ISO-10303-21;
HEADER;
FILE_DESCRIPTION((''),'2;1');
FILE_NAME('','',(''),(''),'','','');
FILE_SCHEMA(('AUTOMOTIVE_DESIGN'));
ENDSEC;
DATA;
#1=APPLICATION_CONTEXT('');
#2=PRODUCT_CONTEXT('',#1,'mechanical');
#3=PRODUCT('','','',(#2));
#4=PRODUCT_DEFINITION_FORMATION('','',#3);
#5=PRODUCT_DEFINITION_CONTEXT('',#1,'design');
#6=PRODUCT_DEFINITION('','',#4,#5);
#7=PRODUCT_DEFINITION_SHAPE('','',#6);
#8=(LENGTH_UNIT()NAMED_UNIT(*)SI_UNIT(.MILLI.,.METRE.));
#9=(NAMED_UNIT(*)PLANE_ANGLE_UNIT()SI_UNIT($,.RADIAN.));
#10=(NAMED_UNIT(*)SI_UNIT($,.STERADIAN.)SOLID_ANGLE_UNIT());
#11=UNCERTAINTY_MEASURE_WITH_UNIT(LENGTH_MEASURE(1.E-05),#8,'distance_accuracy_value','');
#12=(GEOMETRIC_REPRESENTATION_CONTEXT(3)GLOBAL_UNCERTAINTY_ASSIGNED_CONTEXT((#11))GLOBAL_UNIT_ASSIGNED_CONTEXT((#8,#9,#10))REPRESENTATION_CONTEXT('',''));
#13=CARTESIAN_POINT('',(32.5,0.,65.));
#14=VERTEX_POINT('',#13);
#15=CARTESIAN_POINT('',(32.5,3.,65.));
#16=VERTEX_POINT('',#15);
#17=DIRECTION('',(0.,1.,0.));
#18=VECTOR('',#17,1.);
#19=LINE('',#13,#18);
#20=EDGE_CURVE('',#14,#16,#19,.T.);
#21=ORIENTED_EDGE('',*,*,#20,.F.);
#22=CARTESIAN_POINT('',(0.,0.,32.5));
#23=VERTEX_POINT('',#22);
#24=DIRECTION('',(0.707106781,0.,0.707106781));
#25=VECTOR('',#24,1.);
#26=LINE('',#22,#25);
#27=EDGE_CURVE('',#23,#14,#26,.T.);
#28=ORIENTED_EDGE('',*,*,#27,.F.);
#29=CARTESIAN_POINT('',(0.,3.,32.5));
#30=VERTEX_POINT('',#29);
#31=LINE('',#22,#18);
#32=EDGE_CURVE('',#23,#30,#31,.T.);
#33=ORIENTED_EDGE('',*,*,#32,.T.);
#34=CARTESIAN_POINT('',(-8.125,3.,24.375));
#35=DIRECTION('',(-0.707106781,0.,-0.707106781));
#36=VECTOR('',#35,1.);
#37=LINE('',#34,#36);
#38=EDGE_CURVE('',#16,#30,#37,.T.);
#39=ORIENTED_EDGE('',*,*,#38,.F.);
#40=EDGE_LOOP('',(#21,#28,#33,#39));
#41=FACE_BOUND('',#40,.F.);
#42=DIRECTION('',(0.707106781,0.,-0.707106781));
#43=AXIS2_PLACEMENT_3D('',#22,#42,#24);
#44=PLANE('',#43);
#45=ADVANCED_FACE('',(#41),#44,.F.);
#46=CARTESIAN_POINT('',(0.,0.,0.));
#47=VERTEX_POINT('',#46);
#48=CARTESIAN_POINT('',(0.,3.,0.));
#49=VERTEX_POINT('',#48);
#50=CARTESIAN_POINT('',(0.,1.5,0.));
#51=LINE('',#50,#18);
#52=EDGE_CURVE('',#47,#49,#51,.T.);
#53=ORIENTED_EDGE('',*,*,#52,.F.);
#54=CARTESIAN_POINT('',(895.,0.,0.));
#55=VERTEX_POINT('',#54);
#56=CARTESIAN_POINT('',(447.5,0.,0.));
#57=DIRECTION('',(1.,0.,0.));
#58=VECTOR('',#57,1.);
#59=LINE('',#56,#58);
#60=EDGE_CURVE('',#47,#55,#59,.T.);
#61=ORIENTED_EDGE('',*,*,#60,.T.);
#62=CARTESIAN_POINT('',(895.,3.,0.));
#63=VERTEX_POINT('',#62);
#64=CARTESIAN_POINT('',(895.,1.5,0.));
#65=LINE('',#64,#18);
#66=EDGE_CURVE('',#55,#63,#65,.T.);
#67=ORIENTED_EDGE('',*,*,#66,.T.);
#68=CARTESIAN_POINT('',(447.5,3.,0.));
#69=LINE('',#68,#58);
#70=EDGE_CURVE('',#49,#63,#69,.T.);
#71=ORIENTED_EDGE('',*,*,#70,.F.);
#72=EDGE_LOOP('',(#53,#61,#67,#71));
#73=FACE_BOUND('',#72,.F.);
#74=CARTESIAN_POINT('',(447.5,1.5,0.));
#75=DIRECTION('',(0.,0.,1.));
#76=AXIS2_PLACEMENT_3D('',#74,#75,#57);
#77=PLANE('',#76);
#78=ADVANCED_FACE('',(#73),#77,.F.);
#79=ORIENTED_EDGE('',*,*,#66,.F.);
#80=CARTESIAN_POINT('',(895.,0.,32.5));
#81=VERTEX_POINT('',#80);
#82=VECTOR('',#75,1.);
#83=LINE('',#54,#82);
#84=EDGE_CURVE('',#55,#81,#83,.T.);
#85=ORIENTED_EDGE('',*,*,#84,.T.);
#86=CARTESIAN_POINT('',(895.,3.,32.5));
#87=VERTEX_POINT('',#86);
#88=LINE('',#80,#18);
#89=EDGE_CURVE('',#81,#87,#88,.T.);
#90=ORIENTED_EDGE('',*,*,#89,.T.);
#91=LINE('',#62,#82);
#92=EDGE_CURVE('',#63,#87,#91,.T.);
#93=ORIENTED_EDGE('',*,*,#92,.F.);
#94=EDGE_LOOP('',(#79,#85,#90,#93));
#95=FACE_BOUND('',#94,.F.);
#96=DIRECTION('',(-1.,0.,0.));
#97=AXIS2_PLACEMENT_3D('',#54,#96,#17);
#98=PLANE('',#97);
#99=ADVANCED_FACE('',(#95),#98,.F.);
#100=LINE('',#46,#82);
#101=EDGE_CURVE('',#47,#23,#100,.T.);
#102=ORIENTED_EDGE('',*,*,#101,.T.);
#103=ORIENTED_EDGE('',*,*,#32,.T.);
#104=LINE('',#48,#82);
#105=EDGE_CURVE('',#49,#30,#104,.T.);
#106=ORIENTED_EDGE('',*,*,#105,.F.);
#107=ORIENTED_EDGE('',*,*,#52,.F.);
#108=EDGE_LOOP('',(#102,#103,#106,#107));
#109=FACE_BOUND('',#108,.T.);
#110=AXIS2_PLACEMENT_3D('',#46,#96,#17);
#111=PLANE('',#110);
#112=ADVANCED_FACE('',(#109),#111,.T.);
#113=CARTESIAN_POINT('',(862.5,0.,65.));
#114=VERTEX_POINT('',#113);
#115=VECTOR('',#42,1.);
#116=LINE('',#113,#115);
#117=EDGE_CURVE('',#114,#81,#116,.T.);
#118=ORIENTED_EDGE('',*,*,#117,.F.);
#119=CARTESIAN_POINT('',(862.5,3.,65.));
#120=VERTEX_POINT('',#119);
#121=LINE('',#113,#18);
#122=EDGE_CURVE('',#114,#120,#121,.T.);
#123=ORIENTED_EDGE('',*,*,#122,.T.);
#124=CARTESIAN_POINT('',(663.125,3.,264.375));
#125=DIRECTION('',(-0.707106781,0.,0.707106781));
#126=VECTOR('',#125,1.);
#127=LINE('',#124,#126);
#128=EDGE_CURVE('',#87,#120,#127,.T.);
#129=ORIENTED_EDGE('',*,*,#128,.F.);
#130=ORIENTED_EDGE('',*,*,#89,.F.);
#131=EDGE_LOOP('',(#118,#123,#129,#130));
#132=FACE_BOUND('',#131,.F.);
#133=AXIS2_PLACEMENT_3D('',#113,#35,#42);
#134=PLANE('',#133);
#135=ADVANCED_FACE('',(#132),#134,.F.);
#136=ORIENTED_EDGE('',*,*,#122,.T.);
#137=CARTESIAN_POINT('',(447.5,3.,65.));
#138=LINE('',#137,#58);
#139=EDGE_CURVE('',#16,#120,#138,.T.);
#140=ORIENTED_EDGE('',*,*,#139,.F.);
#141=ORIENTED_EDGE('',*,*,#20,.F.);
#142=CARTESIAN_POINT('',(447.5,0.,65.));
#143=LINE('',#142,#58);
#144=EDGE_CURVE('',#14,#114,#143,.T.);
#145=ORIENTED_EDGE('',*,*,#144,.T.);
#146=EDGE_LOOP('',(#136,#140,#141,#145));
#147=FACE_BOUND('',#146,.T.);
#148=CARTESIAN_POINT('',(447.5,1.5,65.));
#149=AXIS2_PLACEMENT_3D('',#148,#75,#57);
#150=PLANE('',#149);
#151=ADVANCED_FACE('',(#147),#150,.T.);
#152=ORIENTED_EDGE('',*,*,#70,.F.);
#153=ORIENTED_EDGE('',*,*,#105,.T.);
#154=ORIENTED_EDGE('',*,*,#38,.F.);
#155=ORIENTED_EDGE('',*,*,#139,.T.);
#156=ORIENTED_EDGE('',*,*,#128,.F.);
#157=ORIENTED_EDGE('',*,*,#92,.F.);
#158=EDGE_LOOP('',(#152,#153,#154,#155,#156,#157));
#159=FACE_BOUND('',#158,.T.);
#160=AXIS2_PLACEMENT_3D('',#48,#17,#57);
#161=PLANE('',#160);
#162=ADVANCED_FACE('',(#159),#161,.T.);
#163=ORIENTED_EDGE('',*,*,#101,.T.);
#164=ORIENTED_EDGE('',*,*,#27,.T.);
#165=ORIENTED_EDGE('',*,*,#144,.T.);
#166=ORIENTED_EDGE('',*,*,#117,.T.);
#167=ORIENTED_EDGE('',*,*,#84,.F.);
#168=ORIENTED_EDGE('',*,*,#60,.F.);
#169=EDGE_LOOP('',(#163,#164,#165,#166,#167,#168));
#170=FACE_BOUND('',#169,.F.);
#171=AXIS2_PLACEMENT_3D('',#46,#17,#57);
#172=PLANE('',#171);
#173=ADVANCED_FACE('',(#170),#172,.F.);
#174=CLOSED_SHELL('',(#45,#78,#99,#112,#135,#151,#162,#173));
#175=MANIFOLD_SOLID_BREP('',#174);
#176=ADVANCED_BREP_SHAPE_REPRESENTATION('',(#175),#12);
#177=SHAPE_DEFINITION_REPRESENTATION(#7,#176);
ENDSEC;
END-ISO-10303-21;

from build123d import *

# Parameters (mm, degrees)
F0_W     = 895
F0_H     = 3
F1_DEPTH = 65
F3_DEPTH = 3.001


with BuildPart() as f1:
    # F0 (on Top) → F1 (new body)
    with BuildSketch(Plane.XY):
        with Locations((447.5, 1.5)):
            Rectangle(F0_W, F0_H)
    extrude(amount=F1_DEPTH)

    # F2 (on face) → F3 (cut, through all)
    with BuildSketch(Plane.XZ):
        Polygon((895, 65), (862.5, 65), (895, 32.5), align=None)
        Polygon((0, 65), (0, 32.5), (32.5, 65), align=None)
    extrude(amount=-F3_DEPTH, mode=Mode.SUBTRACT)


solid = f1.part
